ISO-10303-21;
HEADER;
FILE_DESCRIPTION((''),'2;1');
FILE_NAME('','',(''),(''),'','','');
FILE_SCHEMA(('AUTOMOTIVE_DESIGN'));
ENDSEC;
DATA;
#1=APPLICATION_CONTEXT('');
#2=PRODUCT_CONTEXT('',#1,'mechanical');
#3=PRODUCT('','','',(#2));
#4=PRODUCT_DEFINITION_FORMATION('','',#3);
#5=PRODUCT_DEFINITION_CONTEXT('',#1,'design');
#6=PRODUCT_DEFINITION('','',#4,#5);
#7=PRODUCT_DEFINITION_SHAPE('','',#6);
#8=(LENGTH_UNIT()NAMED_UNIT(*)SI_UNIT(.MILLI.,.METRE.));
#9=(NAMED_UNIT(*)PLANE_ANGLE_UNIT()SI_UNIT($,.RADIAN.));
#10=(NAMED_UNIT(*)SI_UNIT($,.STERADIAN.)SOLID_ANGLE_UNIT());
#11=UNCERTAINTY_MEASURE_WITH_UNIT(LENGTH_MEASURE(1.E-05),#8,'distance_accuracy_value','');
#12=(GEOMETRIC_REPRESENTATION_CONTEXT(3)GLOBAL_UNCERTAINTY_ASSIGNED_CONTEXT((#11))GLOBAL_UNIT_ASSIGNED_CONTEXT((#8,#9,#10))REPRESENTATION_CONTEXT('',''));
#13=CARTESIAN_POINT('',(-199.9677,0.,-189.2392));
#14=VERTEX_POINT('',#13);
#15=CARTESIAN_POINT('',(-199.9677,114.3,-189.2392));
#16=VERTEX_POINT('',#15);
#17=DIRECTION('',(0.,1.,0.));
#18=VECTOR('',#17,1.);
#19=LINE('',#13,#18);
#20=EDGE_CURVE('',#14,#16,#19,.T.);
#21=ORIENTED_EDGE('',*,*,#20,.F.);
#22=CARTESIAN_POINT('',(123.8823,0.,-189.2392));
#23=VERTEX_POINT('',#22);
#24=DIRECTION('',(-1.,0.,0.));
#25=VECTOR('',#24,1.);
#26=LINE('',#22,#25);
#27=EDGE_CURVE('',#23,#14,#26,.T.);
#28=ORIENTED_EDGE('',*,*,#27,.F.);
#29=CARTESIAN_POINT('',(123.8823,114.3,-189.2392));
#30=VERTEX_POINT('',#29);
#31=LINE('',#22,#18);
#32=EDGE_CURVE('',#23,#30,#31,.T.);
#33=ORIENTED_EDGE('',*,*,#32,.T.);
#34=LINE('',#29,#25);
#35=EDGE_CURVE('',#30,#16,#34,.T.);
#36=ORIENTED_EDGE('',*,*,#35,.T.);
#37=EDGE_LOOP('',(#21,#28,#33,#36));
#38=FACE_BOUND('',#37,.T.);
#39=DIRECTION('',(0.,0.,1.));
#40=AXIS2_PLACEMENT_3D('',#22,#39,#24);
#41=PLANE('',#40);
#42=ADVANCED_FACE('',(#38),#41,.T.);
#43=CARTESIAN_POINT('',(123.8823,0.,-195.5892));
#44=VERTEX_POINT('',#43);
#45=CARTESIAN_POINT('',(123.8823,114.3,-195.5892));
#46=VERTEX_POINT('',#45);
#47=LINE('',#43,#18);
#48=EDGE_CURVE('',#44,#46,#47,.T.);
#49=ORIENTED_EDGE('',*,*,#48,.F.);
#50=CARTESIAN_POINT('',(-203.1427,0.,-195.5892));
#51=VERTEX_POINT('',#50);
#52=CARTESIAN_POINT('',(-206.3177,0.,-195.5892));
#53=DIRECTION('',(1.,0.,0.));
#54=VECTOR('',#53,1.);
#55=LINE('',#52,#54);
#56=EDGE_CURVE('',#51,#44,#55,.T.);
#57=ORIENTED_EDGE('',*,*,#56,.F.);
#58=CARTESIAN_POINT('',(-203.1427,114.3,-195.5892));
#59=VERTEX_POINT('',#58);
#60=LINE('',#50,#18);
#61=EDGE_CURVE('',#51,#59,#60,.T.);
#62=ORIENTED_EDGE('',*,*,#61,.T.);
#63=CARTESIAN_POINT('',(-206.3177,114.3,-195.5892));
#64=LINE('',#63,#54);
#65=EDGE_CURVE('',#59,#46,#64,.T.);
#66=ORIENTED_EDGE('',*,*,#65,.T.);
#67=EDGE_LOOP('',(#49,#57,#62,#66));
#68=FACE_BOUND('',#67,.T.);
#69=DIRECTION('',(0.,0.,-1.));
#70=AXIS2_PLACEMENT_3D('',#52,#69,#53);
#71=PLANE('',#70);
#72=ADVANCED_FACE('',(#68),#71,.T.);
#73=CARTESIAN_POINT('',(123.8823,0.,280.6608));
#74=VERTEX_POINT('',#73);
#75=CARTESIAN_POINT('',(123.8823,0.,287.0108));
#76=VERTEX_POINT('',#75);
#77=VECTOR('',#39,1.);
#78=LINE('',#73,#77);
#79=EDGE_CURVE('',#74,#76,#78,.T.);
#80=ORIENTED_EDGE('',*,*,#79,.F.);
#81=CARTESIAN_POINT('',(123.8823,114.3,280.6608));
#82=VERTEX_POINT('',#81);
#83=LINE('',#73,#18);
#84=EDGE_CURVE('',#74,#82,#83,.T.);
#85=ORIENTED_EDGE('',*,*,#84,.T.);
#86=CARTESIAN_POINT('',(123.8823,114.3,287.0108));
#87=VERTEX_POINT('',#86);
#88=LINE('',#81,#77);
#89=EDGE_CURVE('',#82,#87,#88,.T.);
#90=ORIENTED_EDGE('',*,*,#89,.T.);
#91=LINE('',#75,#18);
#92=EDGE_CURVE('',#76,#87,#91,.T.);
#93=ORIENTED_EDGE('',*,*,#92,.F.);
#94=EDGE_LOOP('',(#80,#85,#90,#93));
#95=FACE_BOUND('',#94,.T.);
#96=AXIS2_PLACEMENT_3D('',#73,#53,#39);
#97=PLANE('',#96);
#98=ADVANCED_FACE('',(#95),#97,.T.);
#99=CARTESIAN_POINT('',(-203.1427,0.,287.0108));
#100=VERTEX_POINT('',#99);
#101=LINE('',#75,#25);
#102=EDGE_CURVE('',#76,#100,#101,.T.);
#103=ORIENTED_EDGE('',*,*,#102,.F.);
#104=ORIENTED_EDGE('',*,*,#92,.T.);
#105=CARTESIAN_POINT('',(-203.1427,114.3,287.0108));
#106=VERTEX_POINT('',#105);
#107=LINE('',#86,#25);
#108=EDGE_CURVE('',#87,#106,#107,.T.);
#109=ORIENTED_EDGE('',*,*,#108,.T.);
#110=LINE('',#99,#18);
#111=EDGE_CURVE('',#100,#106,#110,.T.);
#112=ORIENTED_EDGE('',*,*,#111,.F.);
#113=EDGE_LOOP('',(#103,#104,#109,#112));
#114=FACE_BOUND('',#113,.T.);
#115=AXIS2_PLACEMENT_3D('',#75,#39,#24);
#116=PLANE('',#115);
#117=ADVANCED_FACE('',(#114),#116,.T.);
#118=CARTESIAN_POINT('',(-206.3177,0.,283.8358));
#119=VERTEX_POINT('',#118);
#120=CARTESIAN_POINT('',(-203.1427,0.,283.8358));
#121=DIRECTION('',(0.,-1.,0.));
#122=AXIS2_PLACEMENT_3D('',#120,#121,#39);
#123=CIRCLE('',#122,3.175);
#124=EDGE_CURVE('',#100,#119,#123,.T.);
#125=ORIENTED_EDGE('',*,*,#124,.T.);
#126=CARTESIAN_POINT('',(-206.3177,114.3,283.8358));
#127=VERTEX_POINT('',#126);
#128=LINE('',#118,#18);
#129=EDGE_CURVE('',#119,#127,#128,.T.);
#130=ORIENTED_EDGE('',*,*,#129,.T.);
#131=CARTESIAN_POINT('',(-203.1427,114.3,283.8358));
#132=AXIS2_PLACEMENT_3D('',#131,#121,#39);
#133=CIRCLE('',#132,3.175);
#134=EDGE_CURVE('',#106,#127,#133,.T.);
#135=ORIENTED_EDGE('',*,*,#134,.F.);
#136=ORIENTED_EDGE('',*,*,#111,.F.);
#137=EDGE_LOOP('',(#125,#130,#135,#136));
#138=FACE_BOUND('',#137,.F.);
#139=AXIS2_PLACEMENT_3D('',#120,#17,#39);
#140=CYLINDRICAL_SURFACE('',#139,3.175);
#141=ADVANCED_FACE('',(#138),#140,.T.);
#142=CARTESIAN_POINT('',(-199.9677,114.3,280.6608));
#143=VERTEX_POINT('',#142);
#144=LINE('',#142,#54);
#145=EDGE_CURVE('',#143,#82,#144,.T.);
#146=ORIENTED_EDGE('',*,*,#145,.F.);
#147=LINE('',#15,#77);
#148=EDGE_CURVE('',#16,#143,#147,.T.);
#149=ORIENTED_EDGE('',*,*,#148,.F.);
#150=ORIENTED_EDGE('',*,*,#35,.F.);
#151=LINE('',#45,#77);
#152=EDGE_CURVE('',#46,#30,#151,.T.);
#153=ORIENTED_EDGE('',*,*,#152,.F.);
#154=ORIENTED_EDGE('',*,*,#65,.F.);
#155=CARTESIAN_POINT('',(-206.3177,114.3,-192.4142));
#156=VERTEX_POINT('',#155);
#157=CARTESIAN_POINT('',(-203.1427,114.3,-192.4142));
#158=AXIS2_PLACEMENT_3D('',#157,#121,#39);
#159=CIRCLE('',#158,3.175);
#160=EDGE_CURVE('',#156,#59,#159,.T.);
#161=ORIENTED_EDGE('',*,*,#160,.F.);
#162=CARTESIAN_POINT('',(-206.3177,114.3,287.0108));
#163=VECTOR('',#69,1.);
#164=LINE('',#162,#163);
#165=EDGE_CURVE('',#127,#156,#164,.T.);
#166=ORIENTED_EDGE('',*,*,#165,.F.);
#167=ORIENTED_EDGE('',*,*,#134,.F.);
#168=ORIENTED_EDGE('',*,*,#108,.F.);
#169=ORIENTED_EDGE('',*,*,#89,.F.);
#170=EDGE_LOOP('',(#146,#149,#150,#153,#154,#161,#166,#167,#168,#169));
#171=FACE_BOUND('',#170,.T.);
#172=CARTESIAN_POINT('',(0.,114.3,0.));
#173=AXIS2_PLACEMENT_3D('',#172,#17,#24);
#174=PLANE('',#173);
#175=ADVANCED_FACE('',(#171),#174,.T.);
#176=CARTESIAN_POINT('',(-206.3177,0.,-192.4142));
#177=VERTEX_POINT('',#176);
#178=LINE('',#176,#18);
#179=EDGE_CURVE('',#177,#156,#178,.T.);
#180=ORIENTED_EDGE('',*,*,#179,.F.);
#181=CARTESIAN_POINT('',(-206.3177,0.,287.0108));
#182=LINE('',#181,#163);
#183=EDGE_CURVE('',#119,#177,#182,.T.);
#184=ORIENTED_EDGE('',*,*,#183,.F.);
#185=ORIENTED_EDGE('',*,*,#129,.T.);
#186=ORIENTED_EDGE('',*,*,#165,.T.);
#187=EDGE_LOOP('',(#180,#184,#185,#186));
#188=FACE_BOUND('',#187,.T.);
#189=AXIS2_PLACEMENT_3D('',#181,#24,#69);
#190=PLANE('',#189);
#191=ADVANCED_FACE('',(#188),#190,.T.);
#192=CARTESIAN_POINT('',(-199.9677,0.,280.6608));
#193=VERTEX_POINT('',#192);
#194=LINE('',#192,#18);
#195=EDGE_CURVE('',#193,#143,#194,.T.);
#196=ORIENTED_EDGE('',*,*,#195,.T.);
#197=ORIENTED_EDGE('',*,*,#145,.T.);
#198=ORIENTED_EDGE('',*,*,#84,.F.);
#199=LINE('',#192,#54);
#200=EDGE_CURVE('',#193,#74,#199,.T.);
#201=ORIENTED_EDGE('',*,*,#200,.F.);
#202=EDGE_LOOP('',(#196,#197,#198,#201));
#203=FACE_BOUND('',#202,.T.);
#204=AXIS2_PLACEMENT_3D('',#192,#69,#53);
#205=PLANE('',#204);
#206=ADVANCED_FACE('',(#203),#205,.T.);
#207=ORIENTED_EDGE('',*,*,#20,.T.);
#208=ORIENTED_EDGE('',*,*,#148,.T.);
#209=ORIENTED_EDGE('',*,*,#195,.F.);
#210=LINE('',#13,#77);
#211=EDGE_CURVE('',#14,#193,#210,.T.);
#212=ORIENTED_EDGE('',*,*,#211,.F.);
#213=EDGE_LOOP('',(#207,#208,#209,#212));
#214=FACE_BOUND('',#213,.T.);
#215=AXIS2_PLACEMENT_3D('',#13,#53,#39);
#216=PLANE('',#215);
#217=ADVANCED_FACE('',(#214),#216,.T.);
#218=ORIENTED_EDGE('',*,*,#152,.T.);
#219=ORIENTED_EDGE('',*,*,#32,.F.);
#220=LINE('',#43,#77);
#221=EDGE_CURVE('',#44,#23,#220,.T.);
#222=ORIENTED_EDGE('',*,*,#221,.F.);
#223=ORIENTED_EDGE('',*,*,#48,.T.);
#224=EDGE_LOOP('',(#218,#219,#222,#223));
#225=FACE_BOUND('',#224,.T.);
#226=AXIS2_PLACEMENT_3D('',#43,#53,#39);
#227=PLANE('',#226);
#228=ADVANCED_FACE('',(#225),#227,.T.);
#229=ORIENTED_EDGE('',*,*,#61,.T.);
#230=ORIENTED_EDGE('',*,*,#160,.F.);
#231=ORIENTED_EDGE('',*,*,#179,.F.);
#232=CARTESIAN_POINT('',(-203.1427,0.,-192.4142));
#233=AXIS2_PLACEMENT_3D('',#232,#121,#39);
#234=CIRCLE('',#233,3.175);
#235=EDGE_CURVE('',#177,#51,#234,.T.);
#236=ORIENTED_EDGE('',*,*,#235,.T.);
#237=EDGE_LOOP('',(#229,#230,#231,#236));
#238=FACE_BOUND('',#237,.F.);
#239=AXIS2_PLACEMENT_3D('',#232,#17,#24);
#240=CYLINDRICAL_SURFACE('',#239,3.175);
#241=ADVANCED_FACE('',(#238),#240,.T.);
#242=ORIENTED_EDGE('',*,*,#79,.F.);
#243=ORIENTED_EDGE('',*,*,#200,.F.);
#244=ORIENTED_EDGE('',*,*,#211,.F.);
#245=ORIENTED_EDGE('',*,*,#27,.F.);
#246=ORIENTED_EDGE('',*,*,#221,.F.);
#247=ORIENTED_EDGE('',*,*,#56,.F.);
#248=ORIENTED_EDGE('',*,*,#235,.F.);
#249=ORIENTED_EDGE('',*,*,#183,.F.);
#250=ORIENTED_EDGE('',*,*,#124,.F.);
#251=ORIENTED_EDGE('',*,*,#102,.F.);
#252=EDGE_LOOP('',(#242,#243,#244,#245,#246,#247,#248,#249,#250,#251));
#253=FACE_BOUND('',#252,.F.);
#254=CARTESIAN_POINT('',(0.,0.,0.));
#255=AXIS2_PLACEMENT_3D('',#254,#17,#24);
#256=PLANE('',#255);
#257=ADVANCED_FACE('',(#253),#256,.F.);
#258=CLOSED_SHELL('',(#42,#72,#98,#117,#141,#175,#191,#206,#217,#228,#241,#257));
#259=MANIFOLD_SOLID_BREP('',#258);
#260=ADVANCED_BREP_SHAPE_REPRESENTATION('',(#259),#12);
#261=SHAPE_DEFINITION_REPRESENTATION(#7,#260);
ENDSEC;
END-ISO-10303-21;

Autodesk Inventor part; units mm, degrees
ref_plane "YZ Plane" through (0, 0, 0) normal (1, 0, 0) x (0, 1, 0)
ref_plane "XZ Plane" through (0, 0, 0) normal (0, 1, 0) x (-1, 0, 0)
ref_plane "XY Plane" through (0, 0, 0) normal (0, 0, 1) x (1, 0, 0)
sketch "Sketch1" plane through (0, 0, 0) normal (0, 1, 0) x (-1, 0, 0)
  line L0 (199.9677, 280.6608) -> (-123.8823, 280.6608)
  line L1 (-123.8823, 280.6608) -> (-123.8823, 287.0108)
  line L2 (-123.8823, 287.0108) -> (206.3177, 287.0108)
  line L3 (206.3177, 287.0108) -> (206.3177, -195.5892)
  line L4 (206.3177, -195.5892) -> (-123.8823, -195.5892)
  line L5 (-123.8823, -195.5892) -> (-123.8823, -189.2392)
  line L6 (-123.8823, -189.2392) -> (199.9677, -189.2392)
  line L7 (199.9677, -189.2392) -> (199.9677, 280.6608)
  point P0 (0, 0)
  dimension "d0" = 482.6
  dimension "d1" = 330.2
  dimension "d2" = 6.35
  dimension "d3" = 6.35
  dimension "d4" = 6.35
extrude "Extrusion1" add sketch "Sketch1" along normal blind 114.3
fillet "Fillet1" radius 3.175 2 edges at (-206.3177, 57.15, 287.0108) (-206.3177, 57.15, -195.5892)
properties part number "Visor"
